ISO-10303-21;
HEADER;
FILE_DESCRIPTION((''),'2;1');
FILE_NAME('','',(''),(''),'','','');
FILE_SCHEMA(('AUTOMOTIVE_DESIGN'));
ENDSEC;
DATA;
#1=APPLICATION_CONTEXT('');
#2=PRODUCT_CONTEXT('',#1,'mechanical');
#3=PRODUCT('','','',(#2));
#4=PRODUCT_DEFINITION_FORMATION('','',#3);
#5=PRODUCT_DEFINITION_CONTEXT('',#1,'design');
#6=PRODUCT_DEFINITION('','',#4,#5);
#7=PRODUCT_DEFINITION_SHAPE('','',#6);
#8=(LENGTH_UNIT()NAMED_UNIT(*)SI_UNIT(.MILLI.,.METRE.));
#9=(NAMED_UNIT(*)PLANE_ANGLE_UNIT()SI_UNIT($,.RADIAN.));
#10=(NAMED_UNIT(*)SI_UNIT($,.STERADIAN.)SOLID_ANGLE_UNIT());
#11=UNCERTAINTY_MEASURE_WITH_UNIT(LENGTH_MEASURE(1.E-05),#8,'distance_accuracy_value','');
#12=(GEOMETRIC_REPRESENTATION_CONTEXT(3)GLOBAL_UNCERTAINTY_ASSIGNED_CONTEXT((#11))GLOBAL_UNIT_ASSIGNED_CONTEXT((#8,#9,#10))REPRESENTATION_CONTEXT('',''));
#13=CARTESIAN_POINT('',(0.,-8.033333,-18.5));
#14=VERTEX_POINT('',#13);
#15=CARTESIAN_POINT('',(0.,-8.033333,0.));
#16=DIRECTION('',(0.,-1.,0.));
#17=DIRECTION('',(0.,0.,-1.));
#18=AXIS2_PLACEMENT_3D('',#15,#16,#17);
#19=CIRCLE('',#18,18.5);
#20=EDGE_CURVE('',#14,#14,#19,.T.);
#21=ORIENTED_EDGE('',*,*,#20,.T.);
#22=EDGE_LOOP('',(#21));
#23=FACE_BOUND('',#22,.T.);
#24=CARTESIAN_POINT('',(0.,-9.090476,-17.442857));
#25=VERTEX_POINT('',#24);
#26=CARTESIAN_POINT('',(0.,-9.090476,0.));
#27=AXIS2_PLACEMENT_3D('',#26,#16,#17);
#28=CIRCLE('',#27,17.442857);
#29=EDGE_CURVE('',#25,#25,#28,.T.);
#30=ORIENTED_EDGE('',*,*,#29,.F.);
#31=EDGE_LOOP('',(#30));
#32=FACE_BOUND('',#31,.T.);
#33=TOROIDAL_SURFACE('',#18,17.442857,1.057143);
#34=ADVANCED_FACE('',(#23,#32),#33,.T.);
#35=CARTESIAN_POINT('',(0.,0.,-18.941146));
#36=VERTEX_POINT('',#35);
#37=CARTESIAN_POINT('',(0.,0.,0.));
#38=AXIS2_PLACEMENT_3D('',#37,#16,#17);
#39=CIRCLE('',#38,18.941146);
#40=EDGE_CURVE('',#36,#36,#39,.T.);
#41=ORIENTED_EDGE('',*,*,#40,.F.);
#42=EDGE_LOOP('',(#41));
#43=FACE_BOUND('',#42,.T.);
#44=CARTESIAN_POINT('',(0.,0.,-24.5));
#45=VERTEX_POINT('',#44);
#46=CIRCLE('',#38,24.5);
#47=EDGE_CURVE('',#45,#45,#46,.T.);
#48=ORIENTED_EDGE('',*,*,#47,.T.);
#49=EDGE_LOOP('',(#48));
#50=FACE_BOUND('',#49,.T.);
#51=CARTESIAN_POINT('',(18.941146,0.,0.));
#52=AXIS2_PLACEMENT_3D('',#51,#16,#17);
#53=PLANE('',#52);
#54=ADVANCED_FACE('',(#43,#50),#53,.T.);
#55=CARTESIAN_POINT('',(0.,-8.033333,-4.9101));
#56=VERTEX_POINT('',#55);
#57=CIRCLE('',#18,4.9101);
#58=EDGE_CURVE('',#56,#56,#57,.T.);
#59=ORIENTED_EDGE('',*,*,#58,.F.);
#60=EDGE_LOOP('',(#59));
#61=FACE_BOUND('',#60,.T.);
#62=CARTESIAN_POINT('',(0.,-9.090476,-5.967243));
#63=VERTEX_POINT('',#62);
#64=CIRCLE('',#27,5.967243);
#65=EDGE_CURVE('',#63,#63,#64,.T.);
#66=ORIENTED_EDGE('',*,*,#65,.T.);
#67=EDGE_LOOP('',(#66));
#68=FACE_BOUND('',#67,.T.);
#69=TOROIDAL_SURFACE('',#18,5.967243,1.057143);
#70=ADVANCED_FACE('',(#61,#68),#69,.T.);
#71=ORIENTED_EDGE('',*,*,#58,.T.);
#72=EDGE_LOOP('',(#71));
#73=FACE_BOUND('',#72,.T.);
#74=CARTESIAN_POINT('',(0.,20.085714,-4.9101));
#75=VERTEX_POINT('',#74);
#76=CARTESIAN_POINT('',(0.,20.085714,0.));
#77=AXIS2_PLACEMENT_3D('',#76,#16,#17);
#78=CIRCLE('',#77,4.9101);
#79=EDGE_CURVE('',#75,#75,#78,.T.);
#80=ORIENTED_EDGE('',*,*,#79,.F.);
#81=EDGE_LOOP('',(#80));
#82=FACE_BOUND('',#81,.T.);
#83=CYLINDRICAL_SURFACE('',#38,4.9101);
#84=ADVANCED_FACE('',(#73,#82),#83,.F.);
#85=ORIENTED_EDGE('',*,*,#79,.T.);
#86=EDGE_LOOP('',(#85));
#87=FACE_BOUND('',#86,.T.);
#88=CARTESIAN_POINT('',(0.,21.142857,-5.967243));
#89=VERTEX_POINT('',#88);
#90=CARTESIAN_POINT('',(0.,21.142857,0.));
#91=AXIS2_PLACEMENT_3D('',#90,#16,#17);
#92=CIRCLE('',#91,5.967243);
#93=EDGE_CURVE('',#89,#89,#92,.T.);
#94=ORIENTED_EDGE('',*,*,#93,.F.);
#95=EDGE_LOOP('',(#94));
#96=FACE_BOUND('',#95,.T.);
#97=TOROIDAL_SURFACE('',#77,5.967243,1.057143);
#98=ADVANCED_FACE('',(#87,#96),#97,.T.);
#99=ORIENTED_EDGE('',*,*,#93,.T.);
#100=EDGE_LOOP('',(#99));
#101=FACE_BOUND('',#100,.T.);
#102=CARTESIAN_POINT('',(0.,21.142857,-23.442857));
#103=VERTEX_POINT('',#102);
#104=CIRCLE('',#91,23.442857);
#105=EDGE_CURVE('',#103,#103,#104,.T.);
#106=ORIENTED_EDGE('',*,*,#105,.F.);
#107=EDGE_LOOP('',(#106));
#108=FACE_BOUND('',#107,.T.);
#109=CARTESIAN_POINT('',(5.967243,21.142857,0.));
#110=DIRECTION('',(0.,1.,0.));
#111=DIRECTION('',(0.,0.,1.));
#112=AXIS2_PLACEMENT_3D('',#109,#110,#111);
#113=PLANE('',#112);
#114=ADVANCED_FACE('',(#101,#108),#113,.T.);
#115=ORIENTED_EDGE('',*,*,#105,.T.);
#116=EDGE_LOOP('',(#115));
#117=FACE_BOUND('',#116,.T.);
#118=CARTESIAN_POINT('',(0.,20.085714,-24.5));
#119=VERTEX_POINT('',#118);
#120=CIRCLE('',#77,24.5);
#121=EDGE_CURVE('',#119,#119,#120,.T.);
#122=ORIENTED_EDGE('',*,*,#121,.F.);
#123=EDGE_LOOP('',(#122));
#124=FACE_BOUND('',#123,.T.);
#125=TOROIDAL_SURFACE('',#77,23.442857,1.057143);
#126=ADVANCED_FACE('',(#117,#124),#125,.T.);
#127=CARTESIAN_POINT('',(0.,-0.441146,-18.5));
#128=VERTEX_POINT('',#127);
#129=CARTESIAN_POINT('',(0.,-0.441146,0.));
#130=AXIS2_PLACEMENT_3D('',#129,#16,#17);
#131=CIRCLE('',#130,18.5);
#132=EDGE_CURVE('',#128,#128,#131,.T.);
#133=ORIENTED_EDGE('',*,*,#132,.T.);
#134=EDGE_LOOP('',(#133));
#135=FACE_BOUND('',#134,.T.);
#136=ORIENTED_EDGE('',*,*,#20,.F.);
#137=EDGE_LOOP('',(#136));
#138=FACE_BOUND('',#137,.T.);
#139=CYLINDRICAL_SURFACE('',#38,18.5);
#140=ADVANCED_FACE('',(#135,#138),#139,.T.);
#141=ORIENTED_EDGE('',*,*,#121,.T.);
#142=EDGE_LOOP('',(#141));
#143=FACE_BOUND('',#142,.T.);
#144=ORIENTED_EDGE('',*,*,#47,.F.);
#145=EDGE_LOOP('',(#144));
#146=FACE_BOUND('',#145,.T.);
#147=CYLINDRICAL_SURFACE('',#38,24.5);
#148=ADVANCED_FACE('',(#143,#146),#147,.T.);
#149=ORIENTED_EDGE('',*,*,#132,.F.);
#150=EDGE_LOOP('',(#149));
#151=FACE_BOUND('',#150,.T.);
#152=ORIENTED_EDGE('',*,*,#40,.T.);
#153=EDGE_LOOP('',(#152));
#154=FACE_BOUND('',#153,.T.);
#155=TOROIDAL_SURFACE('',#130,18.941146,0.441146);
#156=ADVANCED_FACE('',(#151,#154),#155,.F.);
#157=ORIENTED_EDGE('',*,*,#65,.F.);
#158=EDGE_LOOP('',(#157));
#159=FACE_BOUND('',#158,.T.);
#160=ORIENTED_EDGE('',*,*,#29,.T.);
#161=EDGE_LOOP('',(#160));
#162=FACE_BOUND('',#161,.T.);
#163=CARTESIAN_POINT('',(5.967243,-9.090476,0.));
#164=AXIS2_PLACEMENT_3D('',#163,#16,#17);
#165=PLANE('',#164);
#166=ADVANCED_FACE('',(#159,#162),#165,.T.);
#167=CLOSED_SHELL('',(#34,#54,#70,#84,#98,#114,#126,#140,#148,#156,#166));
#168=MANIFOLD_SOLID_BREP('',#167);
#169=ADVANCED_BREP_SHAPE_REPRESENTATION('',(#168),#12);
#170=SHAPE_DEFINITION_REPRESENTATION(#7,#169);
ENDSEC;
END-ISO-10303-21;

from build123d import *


with BuildPart() as part:
    # Sketch1 → Revolve1 (revolve)
    with BuildSketch(Plane.XY, mode=Mode.PRIVATE) as revolve1_sk:
        with BuildLine():
            Line((4.9101, -8.033333329), (4.9101, 20.085714286))
            ThreePointArc((4.9101, 20.085714286), (5.219729974, 20.833227169), (5.967242857, 21.142857143))
            Line((5.967242857, 21.142857143), (23.442857143, 21.142857143))
            ThreePointArc((23.442857143, 21.142857143), (24.190370026, 20.833227169), (24.5, 20.085714286))
            Line((24.5, 20.085714286), (24.5, 0))
            Line((24.5, 0), (18.941146179, 0))
            ThreePointArc((18.941146179, 0), (18.629208724, -0.129208724), (18.5, -0.441146179))
            Line((18.5, -0.441146179), (18.5, -8.033333329))
            ThreePointArc((18.5, -8.033333329), (18.190370026, -8.780846212), (17.442857143, -9.090476186))
            Line((17.442857143, -9.090476186), (5.967242857, -9.090476186))
            ThreePointArc((5.967242857, -9.090476186), (5.219729974, -8.780846212), (4.9101, -8.033333329))
        make_face()
    revolve(revolve1_sk.sketch.rotate(Axis((0, 0, 0), (0, 1, 0)), 90), axis=Axis((0, 0, 0), (0, 1, 0)))


solid = part.part
